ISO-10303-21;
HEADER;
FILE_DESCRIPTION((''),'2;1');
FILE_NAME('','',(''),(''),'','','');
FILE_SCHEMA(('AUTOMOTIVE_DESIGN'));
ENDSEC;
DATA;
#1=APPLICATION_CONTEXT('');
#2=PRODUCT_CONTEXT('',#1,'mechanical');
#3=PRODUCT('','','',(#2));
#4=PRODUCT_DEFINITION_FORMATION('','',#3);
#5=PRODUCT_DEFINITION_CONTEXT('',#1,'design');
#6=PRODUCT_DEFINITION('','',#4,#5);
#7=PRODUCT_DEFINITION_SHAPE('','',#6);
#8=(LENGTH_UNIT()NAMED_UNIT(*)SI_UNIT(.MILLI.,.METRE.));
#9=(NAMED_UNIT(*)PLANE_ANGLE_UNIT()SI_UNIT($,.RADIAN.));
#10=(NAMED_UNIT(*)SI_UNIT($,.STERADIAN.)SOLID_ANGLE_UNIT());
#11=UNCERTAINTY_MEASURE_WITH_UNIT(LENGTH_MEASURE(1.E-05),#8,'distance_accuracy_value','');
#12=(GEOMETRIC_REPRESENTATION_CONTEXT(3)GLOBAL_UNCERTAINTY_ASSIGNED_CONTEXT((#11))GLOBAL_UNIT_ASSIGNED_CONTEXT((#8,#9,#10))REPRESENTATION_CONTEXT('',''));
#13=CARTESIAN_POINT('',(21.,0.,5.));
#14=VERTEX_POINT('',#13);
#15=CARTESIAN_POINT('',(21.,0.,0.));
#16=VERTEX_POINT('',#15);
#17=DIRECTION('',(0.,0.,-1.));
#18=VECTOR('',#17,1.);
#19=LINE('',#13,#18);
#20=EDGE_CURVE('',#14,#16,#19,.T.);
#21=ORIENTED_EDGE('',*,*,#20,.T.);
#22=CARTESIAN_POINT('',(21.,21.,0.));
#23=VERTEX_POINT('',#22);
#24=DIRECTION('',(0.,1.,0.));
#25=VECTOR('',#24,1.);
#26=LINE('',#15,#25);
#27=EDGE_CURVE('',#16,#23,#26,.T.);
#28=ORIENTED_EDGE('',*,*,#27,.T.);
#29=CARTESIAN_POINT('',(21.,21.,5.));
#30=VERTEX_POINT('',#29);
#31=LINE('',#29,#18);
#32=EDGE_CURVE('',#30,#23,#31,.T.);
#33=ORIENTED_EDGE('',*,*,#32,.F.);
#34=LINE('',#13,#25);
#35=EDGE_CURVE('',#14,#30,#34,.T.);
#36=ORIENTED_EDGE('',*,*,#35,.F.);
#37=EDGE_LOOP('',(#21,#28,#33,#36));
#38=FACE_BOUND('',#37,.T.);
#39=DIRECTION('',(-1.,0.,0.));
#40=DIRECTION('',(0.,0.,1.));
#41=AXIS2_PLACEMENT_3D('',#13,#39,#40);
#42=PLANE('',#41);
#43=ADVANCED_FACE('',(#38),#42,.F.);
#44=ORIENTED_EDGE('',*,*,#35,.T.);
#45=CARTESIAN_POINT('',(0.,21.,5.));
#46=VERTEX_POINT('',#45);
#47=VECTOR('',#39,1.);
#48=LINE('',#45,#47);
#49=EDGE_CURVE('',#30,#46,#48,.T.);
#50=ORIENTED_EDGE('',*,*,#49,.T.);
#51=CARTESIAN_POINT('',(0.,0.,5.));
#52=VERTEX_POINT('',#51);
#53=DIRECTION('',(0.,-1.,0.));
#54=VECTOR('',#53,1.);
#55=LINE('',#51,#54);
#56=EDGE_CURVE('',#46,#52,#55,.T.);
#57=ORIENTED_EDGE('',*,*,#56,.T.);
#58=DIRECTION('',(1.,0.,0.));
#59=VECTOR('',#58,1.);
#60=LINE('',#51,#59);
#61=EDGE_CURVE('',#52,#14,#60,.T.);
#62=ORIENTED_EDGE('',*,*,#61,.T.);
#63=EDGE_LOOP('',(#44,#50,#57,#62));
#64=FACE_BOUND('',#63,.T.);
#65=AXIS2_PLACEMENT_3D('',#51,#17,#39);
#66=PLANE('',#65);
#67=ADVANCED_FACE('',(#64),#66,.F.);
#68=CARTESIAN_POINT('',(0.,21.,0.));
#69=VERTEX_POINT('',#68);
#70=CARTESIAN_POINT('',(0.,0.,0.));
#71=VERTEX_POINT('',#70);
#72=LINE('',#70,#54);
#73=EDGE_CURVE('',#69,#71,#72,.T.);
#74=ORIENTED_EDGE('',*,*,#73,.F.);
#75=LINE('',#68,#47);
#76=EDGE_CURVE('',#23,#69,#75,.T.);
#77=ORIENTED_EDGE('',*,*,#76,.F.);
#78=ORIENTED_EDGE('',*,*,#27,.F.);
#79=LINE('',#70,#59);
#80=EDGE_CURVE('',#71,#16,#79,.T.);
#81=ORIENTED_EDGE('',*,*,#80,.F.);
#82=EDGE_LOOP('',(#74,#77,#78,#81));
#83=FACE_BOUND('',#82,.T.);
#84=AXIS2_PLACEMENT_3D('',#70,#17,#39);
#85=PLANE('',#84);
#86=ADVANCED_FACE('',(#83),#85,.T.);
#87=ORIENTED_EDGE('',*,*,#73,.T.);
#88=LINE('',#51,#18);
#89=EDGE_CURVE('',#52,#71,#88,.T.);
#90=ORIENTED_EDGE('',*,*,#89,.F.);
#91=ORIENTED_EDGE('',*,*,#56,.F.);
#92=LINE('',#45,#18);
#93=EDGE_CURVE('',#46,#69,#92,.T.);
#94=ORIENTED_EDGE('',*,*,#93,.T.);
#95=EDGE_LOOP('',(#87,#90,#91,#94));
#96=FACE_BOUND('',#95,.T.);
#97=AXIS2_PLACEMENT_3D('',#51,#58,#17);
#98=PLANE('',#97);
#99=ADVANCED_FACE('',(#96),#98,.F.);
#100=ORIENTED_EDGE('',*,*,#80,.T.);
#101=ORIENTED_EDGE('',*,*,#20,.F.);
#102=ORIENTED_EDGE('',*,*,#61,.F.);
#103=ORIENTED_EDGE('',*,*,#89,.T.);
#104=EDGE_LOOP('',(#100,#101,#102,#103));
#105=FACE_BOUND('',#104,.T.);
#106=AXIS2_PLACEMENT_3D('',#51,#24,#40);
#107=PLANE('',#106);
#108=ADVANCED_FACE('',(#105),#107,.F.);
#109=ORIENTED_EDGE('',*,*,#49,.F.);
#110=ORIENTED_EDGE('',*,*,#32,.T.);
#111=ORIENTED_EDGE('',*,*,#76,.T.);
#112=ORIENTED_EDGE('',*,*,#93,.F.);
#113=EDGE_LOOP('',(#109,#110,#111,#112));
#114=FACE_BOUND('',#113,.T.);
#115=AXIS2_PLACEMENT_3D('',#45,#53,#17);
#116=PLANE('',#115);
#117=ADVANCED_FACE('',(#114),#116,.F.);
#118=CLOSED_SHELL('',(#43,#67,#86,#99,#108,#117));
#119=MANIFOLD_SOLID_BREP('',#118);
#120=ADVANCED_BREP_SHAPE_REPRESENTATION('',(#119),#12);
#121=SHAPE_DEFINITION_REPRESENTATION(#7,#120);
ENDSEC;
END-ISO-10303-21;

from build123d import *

# Parameters (mm, degrees)
SKETCH1_W     = 21
SKETCH1_H     = 21
PROFILE_DEPTH = 5


with BuildPart() as part:
    # Sketch1 → Profile (new body)
    with BuildSketch(Plane.XY):
        with Locations((10.5, 10.5)):
            Rectangle(SKETCH1_W, SKETCH1_H)
    extrude(amount=PROFILE_DEPTH)


solid = part.part
